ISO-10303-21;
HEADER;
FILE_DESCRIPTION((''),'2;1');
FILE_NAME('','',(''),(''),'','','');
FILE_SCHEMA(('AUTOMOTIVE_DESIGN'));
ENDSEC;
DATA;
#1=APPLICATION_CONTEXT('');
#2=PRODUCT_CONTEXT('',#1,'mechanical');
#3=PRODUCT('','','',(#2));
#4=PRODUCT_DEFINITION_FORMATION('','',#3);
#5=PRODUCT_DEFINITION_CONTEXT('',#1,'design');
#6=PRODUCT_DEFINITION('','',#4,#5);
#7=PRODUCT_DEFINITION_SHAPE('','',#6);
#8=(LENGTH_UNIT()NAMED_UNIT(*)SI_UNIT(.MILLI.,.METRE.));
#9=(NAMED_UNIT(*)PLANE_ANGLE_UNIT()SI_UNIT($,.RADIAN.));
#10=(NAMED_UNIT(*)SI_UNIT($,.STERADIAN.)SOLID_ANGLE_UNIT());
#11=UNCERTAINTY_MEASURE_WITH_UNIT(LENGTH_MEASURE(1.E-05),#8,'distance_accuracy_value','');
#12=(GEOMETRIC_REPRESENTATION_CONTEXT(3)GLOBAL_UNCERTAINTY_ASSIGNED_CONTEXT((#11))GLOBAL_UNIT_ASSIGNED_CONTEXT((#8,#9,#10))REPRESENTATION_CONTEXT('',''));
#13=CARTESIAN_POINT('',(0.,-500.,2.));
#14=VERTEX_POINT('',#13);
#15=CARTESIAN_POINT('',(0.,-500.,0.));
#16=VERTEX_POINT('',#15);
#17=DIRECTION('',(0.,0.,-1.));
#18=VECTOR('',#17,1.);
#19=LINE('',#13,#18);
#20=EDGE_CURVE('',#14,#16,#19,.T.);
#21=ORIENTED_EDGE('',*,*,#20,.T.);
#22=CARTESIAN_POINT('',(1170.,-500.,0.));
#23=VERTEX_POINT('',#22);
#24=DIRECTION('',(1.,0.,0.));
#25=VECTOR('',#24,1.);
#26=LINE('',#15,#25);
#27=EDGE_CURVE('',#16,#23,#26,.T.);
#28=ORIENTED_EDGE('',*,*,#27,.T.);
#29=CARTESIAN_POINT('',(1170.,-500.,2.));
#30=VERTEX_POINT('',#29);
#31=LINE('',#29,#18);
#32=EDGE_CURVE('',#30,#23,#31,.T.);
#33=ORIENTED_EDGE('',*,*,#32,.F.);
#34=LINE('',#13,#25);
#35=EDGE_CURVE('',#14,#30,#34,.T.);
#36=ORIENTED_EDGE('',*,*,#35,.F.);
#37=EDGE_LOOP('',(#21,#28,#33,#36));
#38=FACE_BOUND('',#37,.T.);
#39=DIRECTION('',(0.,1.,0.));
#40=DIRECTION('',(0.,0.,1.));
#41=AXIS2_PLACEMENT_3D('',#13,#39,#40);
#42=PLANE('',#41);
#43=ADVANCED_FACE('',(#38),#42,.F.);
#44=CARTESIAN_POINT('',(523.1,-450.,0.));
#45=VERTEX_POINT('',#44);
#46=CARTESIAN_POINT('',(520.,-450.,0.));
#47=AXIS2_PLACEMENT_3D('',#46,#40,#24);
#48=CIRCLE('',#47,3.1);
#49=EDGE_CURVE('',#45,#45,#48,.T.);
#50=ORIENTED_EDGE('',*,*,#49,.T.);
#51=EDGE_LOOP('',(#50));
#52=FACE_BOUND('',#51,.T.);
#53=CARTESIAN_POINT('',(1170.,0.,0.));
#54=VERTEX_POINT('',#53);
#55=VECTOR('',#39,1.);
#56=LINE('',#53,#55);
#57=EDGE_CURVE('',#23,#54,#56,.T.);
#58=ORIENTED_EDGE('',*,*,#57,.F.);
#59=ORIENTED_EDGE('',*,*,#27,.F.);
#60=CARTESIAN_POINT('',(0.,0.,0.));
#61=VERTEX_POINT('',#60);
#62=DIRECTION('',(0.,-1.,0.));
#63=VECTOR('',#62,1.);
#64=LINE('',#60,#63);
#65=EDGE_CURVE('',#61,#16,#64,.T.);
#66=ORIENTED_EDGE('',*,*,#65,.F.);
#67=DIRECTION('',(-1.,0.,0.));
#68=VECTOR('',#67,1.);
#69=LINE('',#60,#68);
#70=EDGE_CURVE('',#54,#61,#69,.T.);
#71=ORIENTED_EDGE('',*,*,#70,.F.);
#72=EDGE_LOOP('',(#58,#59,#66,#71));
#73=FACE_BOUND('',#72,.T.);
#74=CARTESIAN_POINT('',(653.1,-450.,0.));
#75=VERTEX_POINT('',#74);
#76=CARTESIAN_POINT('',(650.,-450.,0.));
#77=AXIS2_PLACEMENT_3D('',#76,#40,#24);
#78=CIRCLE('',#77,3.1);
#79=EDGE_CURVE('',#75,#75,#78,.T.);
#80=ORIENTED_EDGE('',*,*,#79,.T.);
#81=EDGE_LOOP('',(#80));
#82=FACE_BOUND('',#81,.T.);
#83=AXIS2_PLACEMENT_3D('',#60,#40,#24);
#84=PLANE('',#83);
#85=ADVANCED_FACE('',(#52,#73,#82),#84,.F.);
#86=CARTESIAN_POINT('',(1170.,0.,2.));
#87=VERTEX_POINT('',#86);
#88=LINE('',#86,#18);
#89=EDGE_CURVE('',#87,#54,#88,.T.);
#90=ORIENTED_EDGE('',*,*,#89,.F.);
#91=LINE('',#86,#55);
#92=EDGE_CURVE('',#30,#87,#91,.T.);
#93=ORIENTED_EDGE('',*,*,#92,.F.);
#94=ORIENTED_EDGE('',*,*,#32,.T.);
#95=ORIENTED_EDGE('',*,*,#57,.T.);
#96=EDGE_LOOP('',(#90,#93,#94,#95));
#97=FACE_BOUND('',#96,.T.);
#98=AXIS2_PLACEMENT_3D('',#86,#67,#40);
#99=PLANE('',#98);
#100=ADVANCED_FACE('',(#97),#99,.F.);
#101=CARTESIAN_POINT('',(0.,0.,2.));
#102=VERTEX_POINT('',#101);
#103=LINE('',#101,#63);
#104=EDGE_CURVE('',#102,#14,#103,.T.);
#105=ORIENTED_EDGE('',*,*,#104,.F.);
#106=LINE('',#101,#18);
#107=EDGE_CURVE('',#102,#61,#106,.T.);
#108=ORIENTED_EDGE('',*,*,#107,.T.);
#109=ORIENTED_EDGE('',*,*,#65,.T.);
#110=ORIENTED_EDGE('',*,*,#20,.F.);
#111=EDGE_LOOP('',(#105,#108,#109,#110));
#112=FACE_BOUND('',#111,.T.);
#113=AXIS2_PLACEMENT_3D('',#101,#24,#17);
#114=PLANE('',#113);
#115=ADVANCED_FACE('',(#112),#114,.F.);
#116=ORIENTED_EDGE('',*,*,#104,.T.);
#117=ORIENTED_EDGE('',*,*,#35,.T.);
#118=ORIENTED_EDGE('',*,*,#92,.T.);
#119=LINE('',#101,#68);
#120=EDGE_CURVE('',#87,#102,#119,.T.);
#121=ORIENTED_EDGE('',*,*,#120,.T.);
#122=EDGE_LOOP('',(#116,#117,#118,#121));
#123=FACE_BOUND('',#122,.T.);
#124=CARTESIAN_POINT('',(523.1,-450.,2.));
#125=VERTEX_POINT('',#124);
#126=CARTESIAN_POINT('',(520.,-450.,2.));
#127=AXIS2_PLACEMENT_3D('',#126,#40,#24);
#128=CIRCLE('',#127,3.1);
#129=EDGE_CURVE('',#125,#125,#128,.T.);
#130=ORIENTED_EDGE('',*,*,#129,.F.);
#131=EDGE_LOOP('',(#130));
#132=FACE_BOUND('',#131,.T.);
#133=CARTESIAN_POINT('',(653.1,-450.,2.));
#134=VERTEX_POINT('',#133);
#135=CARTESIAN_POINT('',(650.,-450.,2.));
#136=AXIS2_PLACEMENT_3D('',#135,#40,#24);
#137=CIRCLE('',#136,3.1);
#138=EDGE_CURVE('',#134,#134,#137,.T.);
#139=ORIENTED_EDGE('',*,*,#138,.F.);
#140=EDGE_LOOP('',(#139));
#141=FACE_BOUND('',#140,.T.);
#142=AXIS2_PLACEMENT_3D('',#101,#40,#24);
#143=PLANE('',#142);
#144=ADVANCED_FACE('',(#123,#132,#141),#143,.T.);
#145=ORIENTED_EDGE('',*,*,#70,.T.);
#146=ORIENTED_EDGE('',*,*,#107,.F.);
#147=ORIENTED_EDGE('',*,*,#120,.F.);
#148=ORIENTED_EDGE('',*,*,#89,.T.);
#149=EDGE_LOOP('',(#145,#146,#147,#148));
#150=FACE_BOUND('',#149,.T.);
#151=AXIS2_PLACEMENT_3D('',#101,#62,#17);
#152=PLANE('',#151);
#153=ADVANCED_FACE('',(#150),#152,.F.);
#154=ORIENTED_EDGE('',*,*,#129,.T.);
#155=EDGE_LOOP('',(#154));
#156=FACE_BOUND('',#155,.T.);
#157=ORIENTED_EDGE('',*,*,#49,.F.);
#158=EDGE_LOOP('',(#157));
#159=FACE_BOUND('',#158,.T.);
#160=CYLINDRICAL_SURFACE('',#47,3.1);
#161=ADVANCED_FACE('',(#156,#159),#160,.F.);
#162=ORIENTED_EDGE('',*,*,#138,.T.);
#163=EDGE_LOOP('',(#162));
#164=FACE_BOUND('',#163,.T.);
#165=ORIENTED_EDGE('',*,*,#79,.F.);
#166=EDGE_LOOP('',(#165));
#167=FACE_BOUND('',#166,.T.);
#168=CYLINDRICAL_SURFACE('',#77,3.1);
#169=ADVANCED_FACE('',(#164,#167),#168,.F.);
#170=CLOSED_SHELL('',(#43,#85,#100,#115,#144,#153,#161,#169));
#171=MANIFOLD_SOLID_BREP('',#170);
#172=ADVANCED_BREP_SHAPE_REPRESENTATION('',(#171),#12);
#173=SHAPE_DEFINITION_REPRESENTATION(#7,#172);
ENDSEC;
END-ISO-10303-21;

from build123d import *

# Parameters (mm, degrees)
SKETCH1_W           = 1170
SKETCH1_H           = 500
BOSS_EXTRUDE1_DEPTH = 2
SKETCH2_R           = 3.1
CUT_EXTRUDE1_DEPTH  = 1273.361583827


with BuildPart() as part:
    # Sketch1 → Boss-Extrude1 (new body)
    with BuildSketch(Plane.XY):
        with Locations((585, -250)):
            Rectangle(SKETCH1_W, SKETCH1_H)
    extrude(amount=BOSS_EXTRUDE1_DEPTH)

    # Sketch2 → Cut-Extrude1 (cut, through all)
    with BuildSketch(Plane.XY.offset(2)):
        with Locations((520, -450)):
            Circle(SKETCH2_R)
        with Locations((650, -450)):
            Circle(SKETCH2_R)
    extrude(amount=-CUT_EXTRUDE1_DEPTH, mode=Mode.SUBTRACT)


solid = part.part
